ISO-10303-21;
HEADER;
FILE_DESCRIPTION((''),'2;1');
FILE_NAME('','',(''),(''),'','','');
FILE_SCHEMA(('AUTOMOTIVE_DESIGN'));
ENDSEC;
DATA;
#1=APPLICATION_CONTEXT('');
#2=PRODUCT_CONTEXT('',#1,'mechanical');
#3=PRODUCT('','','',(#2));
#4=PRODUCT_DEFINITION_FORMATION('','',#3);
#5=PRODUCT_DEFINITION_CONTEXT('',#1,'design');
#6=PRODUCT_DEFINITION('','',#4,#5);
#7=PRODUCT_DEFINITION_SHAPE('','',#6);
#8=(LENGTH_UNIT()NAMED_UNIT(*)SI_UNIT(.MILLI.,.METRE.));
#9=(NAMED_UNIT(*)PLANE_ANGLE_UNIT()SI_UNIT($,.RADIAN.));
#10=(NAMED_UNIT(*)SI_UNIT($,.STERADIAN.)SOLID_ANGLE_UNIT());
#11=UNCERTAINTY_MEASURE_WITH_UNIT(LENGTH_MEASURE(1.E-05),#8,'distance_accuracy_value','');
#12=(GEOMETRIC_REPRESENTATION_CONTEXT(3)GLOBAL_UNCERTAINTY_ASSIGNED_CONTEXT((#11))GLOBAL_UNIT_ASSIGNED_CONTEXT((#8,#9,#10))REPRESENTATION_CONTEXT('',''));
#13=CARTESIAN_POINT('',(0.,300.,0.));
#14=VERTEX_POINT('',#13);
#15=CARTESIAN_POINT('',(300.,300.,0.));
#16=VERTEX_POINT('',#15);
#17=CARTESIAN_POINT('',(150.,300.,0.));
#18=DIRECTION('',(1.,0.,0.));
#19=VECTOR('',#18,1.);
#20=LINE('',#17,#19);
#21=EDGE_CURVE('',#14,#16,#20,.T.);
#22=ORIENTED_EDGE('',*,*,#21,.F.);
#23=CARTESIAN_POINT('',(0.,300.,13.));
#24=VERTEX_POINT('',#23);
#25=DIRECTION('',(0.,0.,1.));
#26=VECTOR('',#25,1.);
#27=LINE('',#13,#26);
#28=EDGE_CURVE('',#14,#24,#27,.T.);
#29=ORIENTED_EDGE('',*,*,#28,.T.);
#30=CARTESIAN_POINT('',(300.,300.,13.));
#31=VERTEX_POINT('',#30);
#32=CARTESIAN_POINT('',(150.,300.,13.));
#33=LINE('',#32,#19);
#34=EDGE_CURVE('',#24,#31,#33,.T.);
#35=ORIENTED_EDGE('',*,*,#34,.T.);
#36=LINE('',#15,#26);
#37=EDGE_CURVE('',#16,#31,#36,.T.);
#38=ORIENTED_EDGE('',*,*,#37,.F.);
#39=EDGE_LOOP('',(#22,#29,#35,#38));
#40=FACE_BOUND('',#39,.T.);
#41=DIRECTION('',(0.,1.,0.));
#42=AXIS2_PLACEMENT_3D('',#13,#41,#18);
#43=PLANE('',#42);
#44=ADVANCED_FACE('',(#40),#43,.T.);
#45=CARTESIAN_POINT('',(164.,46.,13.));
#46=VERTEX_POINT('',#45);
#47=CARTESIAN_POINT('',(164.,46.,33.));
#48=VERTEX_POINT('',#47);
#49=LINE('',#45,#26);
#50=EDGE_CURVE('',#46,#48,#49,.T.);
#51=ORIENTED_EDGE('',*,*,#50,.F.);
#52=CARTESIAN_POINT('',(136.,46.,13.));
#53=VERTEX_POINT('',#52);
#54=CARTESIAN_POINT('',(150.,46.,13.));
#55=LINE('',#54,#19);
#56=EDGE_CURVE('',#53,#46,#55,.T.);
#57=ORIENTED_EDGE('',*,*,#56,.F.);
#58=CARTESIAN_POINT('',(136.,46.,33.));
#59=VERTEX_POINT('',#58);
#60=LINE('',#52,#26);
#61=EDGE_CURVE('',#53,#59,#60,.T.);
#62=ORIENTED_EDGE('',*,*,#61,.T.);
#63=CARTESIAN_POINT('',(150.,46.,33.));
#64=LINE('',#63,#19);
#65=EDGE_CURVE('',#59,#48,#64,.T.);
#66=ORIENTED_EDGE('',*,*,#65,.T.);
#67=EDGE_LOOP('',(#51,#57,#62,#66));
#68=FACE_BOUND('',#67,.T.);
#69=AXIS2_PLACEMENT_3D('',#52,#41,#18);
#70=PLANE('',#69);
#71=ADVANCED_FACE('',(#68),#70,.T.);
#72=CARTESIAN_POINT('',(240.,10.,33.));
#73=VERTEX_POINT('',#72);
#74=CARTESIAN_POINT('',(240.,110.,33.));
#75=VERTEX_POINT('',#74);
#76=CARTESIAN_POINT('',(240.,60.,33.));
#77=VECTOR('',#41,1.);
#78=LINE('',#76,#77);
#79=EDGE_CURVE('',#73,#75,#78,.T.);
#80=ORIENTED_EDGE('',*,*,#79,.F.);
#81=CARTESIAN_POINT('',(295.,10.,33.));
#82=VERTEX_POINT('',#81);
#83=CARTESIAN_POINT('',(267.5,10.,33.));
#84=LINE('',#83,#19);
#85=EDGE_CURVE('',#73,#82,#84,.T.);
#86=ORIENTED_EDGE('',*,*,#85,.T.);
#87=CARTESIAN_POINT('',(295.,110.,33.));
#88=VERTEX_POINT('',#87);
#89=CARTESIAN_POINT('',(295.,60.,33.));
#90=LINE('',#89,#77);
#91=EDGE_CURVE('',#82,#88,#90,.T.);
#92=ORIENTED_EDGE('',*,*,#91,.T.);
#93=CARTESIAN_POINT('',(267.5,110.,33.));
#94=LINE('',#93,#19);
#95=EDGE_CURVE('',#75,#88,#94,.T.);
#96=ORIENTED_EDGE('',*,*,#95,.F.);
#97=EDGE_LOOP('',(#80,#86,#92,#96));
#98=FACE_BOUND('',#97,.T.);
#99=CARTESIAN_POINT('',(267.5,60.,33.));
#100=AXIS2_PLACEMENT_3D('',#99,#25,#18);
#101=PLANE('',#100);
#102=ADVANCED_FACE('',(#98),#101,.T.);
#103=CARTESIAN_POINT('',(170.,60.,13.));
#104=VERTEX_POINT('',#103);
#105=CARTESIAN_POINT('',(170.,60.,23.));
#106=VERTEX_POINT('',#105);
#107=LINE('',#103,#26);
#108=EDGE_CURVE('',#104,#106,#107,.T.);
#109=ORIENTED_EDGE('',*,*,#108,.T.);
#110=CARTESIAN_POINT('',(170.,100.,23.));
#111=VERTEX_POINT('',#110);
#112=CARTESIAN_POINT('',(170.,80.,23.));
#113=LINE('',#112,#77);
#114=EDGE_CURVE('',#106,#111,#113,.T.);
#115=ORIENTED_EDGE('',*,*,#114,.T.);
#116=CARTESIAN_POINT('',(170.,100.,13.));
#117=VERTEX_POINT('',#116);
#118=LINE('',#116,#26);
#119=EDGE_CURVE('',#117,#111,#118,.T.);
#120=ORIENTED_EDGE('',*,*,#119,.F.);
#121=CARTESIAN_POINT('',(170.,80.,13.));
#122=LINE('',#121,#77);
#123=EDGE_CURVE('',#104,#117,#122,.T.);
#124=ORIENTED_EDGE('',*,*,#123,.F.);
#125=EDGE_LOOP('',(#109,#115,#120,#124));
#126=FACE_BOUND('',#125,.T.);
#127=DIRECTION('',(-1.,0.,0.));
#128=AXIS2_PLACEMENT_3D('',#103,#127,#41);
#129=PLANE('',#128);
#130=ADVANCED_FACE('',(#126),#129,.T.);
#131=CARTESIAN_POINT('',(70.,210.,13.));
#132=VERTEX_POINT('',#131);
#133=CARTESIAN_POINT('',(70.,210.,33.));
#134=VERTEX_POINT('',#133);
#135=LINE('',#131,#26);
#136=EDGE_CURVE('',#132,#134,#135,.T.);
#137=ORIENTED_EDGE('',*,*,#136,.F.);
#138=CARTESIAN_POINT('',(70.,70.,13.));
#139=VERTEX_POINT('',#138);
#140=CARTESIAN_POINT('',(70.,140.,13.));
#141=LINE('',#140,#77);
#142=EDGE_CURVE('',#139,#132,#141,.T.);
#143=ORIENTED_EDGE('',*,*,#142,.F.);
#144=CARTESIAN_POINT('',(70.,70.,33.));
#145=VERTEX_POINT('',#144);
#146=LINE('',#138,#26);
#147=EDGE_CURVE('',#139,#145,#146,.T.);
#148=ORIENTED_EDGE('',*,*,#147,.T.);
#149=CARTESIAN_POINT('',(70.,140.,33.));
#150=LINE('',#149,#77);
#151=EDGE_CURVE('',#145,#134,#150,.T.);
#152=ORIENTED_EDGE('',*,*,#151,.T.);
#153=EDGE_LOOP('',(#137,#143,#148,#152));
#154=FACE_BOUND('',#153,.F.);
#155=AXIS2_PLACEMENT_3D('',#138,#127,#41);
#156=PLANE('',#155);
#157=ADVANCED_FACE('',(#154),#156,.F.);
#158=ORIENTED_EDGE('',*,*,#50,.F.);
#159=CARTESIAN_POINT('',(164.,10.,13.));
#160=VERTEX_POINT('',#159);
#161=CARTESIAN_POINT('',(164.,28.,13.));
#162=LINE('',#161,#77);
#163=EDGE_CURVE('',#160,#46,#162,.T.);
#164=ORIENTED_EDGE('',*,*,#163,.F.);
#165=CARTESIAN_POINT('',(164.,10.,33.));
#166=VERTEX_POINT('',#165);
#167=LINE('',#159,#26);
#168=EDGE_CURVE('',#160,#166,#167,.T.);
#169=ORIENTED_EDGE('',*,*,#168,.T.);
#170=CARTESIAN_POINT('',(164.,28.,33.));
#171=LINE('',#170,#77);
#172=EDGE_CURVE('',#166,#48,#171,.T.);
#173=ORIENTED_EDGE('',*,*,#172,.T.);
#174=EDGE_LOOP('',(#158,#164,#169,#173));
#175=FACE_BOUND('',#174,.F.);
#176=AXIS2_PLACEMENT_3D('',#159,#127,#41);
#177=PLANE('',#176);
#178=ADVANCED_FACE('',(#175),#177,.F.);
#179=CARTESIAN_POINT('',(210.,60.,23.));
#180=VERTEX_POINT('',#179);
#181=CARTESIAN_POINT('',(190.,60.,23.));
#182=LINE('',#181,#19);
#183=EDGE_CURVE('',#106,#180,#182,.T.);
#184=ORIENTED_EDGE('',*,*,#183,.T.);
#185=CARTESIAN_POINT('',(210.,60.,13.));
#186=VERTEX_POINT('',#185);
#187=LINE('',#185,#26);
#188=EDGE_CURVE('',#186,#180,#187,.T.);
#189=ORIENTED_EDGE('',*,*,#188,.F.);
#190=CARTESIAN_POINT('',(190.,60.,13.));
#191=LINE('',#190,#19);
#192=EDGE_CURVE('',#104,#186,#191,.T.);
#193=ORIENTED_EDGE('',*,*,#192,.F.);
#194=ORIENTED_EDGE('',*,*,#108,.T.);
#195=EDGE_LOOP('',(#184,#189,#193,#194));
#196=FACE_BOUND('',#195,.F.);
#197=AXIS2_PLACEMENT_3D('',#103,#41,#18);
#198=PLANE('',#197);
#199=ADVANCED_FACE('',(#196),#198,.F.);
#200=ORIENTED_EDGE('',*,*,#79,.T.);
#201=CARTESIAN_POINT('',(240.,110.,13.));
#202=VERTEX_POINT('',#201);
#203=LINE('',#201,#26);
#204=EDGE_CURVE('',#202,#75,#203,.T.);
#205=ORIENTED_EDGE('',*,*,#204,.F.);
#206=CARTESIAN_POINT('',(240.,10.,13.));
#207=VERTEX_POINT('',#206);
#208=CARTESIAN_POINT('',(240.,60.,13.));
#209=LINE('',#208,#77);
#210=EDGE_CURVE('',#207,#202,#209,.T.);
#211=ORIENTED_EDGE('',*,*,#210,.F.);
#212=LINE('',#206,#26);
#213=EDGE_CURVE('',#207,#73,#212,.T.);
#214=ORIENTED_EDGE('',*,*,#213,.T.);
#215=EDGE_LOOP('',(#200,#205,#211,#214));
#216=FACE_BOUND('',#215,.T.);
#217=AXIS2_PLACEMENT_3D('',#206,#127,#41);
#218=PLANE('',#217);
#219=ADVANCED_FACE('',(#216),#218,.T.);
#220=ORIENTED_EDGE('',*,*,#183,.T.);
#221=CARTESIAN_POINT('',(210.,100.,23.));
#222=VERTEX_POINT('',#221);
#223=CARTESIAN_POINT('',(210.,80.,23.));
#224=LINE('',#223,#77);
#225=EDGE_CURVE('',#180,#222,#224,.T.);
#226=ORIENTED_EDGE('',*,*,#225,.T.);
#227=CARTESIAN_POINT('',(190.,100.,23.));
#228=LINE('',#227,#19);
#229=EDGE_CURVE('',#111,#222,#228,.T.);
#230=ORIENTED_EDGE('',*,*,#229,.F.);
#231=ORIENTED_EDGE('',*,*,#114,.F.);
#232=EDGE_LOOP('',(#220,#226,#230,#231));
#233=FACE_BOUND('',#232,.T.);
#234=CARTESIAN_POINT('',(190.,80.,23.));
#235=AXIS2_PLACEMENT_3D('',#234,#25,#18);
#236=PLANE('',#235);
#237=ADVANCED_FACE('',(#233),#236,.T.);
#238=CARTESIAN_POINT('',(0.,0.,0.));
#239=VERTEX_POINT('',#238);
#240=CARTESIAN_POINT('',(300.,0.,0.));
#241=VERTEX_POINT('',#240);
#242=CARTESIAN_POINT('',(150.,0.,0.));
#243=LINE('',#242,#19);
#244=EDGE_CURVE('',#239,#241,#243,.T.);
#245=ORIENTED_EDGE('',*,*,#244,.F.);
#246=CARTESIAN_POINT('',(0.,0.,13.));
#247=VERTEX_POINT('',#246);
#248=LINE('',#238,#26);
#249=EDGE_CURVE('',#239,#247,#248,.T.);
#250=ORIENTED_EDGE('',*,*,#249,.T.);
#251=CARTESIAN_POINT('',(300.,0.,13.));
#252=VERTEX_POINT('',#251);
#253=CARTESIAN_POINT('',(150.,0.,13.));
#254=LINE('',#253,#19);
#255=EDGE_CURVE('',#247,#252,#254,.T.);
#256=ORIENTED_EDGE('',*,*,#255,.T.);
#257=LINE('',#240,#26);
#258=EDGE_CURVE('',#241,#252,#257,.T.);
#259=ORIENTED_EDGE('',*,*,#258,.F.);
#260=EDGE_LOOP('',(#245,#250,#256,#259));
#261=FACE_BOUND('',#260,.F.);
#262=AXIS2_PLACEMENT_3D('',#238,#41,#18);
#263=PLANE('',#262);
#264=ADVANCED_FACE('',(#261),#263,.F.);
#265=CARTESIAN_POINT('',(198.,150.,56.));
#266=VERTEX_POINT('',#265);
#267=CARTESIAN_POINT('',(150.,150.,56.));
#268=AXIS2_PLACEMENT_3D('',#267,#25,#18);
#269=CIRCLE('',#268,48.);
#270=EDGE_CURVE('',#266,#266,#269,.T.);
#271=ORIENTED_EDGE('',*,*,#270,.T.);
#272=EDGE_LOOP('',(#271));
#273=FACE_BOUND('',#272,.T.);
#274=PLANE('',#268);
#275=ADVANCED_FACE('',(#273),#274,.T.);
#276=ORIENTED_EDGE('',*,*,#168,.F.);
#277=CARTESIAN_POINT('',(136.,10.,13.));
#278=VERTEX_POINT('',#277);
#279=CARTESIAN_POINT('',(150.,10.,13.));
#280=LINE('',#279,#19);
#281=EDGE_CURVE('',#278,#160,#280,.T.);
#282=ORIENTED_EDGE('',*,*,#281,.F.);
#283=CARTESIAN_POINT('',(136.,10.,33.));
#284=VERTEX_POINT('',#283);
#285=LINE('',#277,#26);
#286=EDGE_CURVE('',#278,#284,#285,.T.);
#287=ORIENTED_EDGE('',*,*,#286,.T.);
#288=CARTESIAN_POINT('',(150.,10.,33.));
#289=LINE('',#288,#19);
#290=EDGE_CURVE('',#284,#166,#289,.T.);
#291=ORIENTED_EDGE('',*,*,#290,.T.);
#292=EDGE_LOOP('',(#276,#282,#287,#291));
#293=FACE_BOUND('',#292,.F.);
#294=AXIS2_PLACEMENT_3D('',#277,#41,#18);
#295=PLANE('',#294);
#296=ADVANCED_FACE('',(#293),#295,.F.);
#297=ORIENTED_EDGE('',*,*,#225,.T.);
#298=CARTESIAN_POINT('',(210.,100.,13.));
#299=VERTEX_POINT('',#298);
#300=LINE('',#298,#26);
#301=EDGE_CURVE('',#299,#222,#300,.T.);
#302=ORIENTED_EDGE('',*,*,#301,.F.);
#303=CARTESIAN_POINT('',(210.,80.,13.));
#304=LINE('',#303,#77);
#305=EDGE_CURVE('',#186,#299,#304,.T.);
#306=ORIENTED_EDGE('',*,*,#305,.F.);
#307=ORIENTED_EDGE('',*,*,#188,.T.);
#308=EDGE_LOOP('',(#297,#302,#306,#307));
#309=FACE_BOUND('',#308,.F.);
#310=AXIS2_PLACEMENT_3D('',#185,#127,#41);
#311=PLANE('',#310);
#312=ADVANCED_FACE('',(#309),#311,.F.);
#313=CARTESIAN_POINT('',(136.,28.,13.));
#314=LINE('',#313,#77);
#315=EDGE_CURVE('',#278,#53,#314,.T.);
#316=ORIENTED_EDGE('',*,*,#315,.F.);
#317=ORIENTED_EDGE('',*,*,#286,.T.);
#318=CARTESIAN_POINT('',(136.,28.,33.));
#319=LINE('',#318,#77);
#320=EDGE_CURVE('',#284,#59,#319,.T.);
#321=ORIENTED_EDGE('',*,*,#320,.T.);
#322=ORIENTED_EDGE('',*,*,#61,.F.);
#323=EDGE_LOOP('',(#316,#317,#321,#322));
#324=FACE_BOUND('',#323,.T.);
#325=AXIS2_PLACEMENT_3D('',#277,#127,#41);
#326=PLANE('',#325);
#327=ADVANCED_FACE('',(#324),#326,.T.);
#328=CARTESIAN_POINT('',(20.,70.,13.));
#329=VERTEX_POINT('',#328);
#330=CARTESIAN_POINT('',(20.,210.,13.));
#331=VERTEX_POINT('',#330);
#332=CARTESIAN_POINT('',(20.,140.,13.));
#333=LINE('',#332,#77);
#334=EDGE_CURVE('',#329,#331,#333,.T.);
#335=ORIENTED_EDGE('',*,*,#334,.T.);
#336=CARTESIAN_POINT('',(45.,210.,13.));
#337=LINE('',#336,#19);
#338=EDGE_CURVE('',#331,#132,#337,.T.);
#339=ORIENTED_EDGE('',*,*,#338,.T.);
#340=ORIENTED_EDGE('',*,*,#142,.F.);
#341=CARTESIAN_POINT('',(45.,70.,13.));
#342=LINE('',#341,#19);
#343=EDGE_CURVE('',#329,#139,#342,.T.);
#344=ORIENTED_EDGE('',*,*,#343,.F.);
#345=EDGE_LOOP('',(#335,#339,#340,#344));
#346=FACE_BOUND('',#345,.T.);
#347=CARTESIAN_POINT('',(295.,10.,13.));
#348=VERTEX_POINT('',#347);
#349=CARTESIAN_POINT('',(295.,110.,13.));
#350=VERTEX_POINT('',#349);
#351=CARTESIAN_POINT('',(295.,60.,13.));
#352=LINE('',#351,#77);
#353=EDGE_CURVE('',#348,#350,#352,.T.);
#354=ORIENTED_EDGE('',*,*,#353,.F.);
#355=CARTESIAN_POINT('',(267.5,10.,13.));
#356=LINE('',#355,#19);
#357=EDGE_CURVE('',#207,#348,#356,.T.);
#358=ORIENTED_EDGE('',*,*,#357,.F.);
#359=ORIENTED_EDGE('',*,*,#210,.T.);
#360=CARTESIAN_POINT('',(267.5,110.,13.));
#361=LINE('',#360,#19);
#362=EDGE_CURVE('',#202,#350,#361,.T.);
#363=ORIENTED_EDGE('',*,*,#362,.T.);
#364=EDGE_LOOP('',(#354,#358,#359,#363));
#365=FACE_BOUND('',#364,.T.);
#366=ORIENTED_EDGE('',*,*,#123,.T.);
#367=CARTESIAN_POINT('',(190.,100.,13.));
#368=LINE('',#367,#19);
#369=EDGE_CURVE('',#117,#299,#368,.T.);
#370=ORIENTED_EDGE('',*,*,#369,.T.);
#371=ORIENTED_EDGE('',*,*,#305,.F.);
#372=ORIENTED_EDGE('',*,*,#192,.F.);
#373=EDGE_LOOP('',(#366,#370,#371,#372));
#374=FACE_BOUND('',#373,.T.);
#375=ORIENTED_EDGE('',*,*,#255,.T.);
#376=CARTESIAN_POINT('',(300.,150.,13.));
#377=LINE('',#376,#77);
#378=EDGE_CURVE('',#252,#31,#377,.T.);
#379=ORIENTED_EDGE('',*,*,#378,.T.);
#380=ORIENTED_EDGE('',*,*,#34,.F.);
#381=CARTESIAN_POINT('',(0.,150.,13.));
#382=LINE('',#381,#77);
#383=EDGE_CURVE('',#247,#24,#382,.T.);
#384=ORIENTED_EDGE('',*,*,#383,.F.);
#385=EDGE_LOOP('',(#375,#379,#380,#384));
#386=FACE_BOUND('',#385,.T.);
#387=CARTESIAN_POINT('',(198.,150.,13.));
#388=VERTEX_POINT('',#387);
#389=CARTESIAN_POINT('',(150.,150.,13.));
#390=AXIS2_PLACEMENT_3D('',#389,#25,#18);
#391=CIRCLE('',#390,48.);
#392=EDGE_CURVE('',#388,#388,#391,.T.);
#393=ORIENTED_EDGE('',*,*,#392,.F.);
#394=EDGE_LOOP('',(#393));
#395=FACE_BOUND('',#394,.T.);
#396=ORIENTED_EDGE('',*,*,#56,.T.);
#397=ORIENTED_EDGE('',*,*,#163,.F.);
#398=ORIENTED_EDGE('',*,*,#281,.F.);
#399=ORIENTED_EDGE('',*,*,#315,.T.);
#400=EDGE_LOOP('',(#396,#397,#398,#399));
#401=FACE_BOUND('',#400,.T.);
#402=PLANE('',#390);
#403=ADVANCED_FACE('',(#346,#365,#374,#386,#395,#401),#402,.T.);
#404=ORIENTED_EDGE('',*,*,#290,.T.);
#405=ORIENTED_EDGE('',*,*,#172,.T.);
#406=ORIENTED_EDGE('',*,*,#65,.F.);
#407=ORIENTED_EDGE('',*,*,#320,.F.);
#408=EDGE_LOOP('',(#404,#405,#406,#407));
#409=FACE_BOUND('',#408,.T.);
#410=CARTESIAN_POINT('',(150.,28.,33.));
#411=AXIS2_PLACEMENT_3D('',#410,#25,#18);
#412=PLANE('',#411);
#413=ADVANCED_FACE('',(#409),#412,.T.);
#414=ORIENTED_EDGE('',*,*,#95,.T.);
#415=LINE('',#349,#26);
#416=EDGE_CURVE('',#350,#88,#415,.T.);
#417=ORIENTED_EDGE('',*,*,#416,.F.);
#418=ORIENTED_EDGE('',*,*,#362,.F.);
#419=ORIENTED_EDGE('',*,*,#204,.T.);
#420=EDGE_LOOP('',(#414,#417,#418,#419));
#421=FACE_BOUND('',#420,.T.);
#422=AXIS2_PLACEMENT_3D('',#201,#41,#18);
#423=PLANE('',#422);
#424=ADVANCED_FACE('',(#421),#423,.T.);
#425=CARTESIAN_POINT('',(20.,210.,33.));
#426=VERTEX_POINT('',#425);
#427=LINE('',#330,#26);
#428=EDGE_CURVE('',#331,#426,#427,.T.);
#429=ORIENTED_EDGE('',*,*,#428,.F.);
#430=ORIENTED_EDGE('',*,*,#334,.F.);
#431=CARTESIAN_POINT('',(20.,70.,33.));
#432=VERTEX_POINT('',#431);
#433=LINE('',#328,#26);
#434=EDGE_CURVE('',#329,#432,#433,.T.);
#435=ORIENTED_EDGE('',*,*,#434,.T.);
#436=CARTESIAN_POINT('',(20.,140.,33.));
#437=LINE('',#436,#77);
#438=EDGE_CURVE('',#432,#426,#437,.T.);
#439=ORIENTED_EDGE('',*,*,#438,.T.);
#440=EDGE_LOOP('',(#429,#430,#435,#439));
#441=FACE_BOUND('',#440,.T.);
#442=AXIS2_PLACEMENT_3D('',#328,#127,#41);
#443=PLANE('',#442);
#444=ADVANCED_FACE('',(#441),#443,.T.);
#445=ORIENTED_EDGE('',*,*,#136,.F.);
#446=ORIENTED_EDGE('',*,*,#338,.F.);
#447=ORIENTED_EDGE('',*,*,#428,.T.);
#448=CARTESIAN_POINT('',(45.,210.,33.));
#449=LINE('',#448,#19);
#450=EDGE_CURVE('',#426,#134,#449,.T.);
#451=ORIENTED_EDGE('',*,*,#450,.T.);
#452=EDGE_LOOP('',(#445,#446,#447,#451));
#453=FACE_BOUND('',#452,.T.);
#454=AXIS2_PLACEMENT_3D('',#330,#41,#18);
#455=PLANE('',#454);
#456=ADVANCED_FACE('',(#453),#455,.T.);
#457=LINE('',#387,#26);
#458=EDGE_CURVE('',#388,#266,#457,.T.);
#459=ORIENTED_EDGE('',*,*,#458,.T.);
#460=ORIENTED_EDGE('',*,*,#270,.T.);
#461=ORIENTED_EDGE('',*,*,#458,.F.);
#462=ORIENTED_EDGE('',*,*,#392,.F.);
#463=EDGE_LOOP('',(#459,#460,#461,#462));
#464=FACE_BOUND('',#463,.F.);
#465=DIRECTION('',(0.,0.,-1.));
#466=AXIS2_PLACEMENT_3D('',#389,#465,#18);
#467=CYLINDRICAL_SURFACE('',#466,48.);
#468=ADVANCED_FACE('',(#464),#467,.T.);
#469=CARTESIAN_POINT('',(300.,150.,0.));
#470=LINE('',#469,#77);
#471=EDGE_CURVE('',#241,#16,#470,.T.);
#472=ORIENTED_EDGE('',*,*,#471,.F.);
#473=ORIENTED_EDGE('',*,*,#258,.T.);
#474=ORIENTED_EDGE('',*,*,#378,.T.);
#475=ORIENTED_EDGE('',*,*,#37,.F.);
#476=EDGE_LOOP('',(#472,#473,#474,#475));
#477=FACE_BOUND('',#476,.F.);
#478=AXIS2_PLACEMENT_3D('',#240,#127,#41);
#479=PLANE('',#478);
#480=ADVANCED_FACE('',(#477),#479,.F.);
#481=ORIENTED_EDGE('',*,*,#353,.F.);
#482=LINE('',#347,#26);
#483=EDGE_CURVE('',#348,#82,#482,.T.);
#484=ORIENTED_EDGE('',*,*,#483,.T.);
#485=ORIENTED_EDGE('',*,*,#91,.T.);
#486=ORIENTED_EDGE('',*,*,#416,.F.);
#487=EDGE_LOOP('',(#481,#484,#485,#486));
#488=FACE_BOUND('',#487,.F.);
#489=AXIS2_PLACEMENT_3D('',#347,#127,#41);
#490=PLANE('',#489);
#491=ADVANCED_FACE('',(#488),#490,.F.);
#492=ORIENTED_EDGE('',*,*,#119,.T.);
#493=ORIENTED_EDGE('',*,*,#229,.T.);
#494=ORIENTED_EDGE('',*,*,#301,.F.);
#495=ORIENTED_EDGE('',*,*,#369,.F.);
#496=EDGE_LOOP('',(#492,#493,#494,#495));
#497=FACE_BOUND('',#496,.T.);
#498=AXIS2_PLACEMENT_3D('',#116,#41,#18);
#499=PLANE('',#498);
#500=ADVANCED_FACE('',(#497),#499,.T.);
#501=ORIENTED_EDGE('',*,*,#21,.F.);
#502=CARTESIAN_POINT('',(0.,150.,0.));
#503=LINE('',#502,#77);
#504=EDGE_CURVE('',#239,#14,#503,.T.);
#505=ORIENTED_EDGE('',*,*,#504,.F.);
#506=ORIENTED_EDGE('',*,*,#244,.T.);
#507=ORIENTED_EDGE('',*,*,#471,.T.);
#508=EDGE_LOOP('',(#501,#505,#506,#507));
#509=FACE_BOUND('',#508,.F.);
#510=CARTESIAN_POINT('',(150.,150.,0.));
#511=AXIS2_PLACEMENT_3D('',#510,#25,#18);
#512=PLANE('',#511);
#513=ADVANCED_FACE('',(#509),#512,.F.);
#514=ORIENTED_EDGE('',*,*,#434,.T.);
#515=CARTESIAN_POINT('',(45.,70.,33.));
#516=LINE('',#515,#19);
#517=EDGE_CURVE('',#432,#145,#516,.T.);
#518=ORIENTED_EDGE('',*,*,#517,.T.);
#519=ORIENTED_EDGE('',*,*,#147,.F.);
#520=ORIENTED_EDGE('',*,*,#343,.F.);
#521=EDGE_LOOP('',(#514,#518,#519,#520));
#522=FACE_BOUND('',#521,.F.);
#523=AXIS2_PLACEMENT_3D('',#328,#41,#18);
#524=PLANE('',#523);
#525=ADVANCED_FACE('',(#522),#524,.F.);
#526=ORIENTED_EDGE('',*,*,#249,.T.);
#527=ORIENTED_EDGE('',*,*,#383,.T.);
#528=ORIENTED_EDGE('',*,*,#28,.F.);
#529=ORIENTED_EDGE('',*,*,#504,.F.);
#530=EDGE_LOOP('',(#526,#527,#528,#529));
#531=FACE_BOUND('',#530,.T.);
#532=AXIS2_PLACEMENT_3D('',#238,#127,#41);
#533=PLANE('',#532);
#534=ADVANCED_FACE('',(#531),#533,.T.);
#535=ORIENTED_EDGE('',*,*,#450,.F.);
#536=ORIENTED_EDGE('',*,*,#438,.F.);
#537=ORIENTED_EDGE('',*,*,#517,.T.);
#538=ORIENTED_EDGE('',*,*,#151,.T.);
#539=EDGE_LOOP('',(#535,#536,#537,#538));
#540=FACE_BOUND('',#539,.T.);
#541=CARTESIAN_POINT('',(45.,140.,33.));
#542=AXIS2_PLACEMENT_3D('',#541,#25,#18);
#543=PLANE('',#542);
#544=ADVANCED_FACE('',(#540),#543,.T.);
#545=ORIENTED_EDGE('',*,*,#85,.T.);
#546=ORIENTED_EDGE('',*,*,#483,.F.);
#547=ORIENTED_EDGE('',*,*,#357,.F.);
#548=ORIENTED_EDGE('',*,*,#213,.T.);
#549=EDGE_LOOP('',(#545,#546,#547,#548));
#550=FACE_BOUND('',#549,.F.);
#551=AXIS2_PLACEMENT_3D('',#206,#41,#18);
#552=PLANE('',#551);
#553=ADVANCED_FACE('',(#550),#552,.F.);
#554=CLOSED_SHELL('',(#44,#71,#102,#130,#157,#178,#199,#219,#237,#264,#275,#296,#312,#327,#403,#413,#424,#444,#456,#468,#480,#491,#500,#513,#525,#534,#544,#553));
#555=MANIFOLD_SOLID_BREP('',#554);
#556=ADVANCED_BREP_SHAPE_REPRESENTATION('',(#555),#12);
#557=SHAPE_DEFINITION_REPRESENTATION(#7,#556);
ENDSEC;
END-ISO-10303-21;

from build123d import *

# Parameters (mm, degrees)
CYLINDER_R     = 48
CYLINDER_DEPTH = 43
BOX001_W       = 50
BOX001_H       = 140
BOX001_DEPTH   = 20
BOX002_W       = 55
BOX002_H       = 100
BOX002_DEPTH   = 20
BOX003_W       = 28
BOX003_H       = 36
BOX003_DEPTH   = 20
BOX004_W       = 40
BOX004_H       = 40
BOX004_DEPTH   = 10
BOX_W          = 300
BOX_H          = 300
BOX_DEPTH      = 13


with BuildPart() as cylinder:
    # Cylinder → Cylinder (new body)
    with BuildSketch(Plane(origin=(150, 150, 13), x_dir=(1, 0, 0), z_dir=(0, 0, 1))):
        Circle(CYLINDER_R)
    extrude(amount=CYLINDER_DEPTH)


with BuildPart() as battery:
    # Box001 → Box001 (new body)
    with BuildSketch(Plane(origin=(20, 70, 13), x_dir=(1, 0, 0), z_dir=(0, 0, 1))):
        with Locations((25, 70)):
            Rectangle(BOX001_W, BOX001_H)
    extrude(amount=BOX001_DEPTH)


with BuildPart() as arduino:
    # Box002 → Box002 (new body)
    with BuildSketch(Plane(origin=(240, 10, 13), x_dir=(1, 0, 0), z_dir=(0, 0, 1))):
        with Locations((27.5, 50)):
            Rectangle(BOX002_W, BOX002_H)
    extrude(amount=BOX002_DEPTH)


with BuildPart() as maestro:
    # Box003 → Box003 (new body)
    with BuildSketch(Plane(origin=(136, 10, 13), x_dir=(1, 0, 0), z_dir=(0, 0, 1))):
        with Locations((14, 18)):
            Rectangle(BOX003_W, BOX003_H)
    extrude(amount=BOX003_DEPTH)


with BuildPart() as ubec:
    # Box004 → Box004 (new body)
    with BuildSketch(Plane(origin=(170, 60, 13), x_dir=(1, 0, 0), z_dir=(0, 0, 1))):
        with Locations((20, 20)):
            Rectangle(BOX004_W, BOX004_H)
    extrude(amount=BOX004_DEPTH)


with BuildPart() as base:
    # Box → Box (new body)
    with BuildSketch(Plane.XY):
        with Locations((150, 150)):
            Rectangle(BOX_W, BOX_H)
    extrude(amount=BOX_DEPTH)

    # Fusion: union Cylinder, Battery, Arduino, Maestro, UBEC
    add(cylinder.part)
    add(battery.part)
    add(arduino.part)
    add(maestro.part)
    add(ubec.part)


solid = base.part
